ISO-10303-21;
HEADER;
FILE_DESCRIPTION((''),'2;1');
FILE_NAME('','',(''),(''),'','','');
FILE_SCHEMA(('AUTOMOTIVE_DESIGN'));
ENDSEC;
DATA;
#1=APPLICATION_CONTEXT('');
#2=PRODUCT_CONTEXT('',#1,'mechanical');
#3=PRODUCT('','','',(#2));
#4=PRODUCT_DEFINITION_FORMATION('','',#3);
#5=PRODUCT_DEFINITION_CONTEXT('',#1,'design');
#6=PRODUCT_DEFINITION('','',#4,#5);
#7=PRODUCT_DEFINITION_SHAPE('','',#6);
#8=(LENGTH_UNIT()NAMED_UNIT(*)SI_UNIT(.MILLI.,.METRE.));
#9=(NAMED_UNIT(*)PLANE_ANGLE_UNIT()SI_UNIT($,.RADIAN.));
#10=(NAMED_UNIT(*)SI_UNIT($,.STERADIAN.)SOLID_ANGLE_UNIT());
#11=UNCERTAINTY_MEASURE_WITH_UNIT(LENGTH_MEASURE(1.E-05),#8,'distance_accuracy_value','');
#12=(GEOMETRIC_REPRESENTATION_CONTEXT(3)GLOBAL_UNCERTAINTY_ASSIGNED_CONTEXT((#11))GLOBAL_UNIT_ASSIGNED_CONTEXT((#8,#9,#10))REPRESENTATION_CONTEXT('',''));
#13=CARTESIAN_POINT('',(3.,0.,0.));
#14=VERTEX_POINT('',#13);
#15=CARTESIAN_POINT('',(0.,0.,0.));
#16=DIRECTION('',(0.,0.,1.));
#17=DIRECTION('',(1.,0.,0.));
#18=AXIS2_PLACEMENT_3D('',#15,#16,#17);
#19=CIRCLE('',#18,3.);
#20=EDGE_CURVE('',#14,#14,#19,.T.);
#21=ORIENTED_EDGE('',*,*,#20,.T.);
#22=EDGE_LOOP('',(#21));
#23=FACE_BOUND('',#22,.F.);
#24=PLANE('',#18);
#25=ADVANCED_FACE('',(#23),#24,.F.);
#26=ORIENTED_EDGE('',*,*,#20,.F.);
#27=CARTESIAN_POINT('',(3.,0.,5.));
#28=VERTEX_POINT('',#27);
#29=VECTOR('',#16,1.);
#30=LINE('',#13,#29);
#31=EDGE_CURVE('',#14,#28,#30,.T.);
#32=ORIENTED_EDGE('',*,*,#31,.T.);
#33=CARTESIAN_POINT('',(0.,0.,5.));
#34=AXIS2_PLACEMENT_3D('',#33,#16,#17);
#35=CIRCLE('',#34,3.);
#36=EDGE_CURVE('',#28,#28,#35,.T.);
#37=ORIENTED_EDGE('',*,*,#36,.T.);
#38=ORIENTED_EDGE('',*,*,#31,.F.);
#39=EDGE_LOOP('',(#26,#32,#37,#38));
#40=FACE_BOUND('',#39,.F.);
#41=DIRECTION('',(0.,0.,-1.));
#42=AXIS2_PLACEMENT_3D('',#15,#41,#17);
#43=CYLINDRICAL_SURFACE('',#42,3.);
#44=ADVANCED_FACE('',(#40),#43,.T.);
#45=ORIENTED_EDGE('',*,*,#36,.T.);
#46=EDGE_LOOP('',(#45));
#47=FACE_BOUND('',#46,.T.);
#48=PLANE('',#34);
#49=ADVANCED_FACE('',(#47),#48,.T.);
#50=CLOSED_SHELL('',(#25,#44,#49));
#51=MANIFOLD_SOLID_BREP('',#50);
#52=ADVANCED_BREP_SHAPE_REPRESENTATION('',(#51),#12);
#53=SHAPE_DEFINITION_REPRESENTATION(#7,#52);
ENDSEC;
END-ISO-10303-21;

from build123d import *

# Parameters (mm, degrees)
SKETCH_R  = 3
PAD_DEPTH = 5


with BuildPart() as part:
    # Sketch → Pad (new body)
    with BuildSketch(Plane.XY):
        Circle(SKETCH_R)
    extrude(amount=PAD_DEPTH)


solid = part.part
